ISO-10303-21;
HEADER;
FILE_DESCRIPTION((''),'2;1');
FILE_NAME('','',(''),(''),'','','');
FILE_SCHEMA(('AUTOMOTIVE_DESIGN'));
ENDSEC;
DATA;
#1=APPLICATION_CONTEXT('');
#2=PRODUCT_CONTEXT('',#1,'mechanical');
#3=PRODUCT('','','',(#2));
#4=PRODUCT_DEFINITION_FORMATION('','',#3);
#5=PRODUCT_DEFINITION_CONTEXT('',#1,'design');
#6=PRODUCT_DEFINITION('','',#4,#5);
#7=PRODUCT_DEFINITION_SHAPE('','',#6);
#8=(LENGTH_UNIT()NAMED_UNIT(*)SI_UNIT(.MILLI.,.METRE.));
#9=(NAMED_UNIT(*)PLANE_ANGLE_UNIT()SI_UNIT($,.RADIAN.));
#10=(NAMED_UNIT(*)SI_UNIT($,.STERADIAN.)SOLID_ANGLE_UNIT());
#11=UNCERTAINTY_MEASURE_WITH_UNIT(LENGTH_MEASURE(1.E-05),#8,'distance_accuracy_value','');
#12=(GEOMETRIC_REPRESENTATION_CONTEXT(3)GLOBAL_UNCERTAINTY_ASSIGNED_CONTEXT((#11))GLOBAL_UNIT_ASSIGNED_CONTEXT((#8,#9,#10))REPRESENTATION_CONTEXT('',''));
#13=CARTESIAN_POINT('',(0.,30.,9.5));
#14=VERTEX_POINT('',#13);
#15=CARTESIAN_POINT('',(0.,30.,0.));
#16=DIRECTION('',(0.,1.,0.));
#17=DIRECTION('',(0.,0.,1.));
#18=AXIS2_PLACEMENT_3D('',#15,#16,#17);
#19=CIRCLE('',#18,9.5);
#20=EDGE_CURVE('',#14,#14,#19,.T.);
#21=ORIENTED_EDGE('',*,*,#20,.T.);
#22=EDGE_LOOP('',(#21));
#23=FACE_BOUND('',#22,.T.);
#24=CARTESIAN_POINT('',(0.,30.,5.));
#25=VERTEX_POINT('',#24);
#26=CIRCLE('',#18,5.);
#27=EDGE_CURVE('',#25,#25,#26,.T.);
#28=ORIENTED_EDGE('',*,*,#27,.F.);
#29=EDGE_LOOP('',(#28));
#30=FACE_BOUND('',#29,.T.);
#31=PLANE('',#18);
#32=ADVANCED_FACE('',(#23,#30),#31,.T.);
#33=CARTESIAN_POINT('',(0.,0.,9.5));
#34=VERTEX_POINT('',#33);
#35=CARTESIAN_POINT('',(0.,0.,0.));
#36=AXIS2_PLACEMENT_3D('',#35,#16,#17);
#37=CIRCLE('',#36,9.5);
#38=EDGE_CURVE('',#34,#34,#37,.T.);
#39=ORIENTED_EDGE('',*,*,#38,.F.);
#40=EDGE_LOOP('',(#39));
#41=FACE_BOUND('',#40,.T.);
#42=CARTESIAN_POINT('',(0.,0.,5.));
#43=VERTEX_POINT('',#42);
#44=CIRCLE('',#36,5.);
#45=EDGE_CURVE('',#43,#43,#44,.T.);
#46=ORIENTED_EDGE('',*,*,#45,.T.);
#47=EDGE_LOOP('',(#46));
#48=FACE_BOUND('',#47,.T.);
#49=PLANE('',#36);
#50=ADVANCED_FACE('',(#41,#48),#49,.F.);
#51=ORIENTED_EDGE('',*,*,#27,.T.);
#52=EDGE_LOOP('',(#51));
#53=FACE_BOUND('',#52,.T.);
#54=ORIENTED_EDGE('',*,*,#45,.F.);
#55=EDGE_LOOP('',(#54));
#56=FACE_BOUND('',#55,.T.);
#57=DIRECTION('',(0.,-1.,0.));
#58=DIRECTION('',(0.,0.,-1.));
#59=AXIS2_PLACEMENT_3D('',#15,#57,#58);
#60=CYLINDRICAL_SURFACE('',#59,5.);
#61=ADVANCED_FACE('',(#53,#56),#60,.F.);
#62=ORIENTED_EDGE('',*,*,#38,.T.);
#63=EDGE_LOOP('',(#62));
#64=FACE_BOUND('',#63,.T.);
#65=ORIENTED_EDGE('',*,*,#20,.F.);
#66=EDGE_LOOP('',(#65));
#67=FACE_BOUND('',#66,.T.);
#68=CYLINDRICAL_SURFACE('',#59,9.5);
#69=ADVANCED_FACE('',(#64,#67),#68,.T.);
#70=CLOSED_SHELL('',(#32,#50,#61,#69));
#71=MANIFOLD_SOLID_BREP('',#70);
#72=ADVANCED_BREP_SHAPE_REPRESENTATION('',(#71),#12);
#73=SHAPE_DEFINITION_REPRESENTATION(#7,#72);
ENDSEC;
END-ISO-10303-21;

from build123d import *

# Parameters (mm, degrees)
SKETCH1_R           = 9.5
SKETCH1_R_2         = 5
BOSS_EXTRUDE1_DEPTH = 30


with BuildPart() as part:
    # Sketch1 → Boss-Extrude1 (new body)
    with BuildSketch(Plane(origin=(0, 0, 0), x_dir=(1, 0, 0), z_dir=(0, 1, 0))):
        Circle(SKETCH1_R)
        Circle(SKETCH1_R_2, mode=Mode.SUBTRACT)
    extrude(amount=BOSS_EXTRUDE1_DEPTH)


solid = part.part
